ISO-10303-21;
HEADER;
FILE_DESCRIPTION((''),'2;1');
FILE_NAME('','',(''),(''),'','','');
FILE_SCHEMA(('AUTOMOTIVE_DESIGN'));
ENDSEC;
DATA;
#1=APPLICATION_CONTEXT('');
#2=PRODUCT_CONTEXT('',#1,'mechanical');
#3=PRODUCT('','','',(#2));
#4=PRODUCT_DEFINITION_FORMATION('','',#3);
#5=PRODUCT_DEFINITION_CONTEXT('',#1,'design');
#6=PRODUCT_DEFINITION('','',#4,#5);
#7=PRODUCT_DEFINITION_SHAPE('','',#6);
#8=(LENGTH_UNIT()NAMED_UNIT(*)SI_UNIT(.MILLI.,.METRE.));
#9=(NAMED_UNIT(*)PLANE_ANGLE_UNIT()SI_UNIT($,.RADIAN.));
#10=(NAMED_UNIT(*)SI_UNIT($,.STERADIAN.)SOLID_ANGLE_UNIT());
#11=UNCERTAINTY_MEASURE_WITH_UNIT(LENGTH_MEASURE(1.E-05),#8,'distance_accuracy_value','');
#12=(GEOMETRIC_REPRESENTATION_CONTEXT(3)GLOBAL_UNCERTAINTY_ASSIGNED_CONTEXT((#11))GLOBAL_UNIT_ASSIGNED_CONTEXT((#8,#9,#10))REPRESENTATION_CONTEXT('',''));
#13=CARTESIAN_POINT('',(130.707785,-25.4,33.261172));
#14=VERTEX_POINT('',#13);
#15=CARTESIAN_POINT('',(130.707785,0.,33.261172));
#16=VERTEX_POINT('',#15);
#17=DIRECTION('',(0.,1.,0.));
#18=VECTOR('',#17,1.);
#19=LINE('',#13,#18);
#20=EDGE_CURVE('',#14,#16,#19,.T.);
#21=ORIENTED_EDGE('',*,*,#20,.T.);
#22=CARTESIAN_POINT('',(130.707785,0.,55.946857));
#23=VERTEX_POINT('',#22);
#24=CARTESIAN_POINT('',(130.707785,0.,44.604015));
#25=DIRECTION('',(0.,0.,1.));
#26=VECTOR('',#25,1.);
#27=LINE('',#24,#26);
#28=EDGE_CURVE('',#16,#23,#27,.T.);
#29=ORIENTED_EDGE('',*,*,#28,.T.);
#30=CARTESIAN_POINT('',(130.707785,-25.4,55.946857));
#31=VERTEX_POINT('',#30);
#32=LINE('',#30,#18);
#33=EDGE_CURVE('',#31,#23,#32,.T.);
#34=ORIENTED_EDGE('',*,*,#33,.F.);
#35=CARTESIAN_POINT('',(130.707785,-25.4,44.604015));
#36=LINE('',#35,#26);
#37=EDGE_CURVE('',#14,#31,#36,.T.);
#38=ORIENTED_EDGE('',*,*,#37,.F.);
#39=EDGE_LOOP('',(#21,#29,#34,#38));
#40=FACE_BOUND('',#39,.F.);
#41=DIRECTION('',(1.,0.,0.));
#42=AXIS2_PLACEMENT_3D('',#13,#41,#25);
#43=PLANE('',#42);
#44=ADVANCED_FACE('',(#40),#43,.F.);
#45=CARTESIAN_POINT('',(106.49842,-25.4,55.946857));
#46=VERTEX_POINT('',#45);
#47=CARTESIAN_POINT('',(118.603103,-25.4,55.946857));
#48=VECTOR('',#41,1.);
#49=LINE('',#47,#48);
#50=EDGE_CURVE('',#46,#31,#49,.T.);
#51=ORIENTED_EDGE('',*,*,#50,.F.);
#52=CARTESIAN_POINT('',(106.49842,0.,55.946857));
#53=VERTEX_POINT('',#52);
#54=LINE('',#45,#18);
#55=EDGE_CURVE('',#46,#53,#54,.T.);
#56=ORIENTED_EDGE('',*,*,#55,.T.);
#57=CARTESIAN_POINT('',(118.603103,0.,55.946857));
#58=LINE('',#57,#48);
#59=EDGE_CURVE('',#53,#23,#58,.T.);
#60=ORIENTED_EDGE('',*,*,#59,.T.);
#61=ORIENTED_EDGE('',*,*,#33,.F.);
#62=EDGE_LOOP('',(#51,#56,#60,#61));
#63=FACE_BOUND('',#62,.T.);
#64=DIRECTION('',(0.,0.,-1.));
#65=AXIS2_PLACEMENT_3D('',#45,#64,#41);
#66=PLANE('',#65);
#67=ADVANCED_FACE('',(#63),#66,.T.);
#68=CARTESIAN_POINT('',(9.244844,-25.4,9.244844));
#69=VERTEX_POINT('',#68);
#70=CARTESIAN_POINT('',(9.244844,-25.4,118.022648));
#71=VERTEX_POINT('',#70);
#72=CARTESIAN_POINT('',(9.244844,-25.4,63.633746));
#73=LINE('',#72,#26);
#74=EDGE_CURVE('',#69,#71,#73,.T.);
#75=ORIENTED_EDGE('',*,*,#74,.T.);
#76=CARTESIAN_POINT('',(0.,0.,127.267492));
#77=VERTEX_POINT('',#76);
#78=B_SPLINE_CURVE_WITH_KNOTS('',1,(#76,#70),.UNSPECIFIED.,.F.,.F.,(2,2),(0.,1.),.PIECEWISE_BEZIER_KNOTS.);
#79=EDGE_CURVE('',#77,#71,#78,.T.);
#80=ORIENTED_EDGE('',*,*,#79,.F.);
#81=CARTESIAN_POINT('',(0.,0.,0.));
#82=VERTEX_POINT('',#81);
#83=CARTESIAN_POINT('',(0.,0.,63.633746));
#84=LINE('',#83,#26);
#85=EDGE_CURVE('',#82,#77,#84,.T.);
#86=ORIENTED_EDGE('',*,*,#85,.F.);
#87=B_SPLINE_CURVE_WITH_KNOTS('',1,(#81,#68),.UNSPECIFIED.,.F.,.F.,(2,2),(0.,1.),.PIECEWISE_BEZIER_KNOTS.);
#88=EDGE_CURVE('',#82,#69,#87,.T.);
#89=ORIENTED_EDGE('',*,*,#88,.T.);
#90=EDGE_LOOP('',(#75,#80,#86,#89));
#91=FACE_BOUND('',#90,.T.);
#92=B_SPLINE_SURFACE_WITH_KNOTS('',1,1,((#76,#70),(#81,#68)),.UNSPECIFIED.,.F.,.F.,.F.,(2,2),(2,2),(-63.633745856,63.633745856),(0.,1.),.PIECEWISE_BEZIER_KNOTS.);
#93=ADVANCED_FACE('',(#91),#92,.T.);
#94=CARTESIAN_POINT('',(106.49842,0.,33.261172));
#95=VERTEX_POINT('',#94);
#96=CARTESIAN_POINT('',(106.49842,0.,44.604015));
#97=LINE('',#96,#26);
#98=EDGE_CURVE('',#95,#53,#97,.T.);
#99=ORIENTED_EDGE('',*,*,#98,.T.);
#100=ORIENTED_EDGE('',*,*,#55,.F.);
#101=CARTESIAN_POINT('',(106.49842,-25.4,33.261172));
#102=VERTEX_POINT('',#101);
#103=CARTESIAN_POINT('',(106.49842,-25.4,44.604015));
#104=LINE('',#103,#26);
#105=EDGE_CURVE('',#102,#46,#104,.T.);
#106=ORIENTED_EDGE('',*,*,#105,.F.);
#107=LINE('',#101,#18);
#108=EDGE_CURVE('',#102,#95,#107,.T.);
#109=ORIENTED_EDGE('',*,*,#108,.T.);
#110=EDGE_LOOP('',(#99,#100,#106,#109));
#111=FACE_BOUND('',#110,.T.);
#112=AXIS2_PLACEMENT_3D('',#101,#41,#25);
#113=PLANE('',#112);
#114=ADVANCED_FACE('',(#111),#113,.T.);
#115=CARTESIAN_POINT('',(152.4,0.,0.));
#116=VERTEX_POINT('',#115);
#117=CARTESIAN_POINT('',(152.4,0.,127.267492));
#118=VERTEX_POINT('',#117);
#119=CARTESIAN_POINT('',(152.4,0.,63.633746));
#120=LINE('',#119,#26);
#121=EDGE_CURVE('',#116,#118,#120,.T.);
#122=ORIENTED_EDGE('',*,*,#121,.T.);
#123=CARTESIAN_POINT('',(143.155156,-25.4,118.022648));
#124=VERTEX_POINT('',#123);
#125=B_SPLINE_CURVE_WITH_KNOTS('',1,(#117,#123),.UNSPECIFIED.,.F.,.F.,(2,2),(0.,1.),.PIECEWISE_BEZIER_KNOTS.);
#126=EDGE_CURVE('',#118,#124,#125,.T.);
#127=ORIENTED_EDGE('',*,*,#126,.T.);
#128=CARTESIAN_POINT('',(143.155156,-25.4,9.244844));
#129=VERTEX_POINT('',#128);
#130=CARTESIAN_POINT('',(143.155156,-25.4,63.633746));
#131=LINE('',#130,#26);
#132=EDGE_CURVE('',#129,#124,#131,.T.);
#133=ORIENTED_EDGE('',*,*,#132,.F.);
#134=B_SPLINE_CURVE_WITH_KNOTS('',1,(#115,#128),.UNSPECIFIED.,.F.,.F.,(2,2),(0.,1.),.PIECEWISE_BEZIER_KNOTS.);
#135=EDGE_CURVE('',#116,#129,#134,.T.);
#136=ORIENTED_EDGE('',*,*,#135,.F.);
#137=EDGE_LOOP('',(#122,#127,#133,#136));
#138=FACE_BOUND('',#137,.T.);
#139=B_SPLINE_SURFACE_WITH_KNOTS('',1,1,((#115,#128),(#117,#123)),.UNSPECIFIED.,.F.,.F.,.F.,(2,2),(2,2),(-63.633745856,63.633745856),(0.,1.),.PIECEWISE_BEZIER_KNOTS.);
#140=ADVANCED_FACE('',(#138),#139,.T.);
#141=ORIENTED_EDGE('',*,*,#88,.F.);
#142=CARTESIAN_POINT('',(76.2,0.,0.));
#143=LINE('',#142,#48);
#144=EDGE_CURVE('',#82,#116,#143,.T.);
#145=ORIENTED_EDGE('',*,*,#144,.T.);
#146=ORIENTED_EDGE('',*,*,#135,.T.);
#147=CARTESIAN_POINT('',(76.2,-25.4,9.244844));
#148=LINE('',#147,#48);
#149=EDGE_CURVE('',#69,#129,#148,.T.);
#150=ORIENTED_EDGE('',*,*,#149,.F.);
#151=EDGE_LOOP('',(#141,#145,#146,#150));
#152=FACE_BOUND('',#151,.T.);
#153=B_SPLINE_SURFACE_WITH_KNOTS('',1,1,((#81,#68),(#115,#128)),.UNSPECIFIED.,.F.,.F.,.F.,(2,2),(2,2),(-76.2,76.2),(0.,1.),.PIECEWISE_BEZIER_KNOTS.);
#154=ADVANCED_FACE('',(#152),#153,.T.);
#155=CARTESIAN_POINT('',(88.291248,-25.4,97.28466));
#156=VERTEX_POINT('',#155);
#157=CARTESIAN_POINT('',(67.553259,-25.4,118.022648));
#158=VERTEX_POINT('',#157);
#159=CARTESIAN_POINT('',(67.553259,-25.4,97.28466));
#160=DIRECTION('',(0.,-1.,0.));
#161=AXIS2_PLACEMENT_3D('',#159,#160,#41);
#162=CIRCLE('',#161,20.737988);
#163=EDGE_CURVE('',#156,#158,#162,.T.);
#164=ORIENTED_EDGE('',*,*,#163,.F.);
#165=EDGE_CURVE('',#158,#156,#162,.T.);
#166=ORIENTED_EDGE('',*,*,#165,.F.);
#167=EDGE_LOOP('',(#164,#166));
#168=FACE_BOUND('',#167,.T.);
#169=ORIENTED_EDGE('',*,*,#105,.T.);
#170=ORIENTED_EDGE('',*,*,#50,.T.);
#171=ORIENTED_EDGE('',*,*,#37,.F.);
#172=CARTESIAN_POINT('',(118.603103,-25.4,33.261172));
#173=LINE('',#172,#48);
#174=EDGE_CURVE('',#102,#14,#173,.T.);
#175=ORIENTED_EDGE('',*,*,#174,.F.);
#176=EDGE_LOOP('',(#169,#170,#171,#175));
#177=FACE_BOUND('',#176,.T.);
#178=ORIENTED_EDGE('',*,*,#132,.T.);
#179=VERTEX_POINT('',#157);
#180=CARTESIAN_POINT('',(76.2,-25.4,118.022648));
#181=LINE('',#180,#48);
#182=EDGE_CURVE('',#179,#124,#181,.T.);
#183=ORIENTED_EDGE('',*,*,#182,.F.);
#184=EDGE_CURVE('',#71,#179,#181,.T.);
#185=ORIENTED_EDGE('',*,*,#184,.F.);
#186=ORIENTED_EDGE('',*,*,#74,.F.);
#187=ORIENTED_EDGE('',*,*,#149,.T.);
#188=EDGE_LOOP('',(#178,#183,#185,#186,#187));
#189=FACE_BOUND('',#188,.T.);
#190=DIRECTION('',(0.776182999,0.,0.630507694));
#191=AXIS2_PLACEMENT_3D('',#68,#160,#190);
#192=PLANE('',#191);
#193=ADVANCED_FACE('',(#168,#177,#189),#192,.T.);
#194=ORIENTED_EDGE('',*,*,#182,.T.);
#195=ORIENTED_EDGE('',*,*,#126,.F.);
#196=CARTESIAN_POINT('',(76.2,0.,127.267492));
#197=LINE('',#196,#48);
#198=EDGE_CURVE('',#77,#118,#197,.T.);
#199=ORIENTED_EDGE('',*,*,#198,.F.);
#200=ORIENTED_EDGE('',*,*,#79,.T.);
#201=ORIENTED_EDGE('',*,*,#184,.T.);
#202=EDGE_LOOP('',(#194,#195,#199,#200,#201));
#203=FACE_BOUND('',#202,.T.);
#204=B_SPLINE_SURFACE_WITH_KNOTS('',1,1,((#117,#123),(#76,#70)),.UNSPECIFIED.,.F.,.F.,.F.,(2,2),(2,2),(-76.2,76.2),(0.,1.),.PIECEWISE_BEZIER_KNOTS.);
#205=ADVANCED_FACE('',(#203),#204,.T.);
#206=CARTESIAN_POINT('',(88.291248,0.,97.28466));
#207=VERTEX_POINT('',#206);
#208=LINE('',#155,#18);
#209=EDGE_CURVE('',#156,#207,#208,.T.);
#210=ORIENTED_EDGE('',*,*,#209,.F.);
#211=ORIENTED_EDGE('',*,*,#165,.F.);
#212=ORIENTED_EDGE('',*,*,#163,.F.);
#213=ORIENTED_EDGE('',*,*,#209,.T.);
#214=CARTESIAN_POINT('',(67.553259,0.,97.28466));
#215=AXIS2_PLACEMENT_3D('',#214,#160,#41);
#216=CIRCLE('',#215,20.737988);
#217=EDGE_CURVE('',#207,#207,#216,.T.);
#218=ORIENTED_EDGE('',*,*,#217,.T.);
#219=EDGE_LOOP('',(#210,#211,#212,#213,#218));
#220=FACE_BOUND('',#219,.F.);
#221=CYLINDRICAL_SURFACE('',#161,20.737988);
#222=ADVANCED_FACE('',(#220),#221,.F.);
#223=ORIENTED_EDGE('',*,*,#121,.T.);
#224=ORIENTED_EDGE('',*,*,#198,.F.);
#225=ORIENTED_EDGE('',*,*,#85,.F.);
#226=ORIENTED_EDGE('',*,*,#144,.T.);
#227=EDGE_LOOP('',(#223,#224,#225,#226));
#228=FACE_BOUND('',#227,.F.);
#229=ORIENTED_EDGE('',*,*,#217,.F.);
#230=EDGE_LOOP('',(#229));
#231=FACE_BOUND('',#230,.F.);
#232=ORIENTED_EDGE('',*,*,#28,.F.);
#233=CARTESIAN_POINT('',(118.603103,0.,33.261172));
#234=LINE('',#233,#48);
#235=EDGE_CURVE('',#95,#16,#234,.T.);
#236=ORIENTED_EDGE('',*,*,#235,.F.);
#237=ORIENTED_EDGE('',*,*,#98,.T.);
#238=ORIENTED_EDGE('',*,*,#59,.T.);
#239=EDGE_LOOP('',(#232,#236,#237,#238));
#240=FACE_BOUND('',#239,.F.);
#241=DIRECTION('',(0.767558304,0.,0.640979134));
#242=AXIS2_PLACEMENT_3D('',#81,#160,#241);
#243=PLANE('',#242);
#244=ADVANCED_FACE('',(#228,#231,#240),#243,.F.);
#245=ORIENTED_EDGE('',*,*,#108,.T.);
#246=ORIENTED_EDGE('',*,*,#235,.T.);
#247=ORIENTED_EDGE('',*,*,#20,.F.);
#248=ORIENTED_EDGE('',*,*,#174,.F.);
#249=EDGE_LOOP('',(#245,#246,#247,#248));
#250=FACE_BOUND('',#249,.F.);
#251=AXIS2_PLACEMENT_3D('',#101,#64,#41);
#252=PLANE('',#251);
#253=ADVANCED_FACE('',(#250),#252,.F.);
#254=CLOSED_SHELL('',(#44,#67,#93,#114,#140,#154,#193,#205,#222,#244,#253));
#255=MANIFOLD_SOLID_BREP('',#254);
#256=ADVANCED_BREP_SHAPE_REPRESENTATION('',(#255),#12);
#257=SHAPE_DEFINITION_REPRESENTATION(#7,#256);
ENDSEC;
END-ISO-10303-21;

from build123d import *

# Parameters (mm, degrees)
F0_W     = 152.4
F0_H     = 127.2674917114
F1_DEPTH = 25.4
F1_TAPER = 20
F2_W     = 24.2093652487
F2_H     = 22.6856842637
F3_DEPTH = 25.4
F4_R     = 20.7379881478
F5_DEPTH = 25.4010001


with BuildPart() as f1:
    # F0 (on Front) → F1 (new body)
    with BuildSketch(Plane.XZ):
        with Locations((76.2, 63.6337458557)):
            Rectangle(F0_W, F0_H)
    extrude(amount=F1_DEPTH, taper=F1_TAPER)

    # F2 (on face) → F3 (cut)
    with BuildSketch(Plane.XZ.offset(25.4)):
        with Locations((118.6031028628, 44.6040146053)):
            Rectangle(F2_W, F2_H)
    extrude(amount=-F3_DEPTH, mode=Mode.SUBTRACT)

    # F4 (on face) → F5 (cut, through all)
    with BuildSketch(Plane.XZ.offset(25.4)):
        with Locations((67.5532594323, 97.2846596132)):
            Circle(F4_R)
    extrude(amount=-F5_DEPTH, mode=Mode.SUBTRACT)


solid = f1.part
